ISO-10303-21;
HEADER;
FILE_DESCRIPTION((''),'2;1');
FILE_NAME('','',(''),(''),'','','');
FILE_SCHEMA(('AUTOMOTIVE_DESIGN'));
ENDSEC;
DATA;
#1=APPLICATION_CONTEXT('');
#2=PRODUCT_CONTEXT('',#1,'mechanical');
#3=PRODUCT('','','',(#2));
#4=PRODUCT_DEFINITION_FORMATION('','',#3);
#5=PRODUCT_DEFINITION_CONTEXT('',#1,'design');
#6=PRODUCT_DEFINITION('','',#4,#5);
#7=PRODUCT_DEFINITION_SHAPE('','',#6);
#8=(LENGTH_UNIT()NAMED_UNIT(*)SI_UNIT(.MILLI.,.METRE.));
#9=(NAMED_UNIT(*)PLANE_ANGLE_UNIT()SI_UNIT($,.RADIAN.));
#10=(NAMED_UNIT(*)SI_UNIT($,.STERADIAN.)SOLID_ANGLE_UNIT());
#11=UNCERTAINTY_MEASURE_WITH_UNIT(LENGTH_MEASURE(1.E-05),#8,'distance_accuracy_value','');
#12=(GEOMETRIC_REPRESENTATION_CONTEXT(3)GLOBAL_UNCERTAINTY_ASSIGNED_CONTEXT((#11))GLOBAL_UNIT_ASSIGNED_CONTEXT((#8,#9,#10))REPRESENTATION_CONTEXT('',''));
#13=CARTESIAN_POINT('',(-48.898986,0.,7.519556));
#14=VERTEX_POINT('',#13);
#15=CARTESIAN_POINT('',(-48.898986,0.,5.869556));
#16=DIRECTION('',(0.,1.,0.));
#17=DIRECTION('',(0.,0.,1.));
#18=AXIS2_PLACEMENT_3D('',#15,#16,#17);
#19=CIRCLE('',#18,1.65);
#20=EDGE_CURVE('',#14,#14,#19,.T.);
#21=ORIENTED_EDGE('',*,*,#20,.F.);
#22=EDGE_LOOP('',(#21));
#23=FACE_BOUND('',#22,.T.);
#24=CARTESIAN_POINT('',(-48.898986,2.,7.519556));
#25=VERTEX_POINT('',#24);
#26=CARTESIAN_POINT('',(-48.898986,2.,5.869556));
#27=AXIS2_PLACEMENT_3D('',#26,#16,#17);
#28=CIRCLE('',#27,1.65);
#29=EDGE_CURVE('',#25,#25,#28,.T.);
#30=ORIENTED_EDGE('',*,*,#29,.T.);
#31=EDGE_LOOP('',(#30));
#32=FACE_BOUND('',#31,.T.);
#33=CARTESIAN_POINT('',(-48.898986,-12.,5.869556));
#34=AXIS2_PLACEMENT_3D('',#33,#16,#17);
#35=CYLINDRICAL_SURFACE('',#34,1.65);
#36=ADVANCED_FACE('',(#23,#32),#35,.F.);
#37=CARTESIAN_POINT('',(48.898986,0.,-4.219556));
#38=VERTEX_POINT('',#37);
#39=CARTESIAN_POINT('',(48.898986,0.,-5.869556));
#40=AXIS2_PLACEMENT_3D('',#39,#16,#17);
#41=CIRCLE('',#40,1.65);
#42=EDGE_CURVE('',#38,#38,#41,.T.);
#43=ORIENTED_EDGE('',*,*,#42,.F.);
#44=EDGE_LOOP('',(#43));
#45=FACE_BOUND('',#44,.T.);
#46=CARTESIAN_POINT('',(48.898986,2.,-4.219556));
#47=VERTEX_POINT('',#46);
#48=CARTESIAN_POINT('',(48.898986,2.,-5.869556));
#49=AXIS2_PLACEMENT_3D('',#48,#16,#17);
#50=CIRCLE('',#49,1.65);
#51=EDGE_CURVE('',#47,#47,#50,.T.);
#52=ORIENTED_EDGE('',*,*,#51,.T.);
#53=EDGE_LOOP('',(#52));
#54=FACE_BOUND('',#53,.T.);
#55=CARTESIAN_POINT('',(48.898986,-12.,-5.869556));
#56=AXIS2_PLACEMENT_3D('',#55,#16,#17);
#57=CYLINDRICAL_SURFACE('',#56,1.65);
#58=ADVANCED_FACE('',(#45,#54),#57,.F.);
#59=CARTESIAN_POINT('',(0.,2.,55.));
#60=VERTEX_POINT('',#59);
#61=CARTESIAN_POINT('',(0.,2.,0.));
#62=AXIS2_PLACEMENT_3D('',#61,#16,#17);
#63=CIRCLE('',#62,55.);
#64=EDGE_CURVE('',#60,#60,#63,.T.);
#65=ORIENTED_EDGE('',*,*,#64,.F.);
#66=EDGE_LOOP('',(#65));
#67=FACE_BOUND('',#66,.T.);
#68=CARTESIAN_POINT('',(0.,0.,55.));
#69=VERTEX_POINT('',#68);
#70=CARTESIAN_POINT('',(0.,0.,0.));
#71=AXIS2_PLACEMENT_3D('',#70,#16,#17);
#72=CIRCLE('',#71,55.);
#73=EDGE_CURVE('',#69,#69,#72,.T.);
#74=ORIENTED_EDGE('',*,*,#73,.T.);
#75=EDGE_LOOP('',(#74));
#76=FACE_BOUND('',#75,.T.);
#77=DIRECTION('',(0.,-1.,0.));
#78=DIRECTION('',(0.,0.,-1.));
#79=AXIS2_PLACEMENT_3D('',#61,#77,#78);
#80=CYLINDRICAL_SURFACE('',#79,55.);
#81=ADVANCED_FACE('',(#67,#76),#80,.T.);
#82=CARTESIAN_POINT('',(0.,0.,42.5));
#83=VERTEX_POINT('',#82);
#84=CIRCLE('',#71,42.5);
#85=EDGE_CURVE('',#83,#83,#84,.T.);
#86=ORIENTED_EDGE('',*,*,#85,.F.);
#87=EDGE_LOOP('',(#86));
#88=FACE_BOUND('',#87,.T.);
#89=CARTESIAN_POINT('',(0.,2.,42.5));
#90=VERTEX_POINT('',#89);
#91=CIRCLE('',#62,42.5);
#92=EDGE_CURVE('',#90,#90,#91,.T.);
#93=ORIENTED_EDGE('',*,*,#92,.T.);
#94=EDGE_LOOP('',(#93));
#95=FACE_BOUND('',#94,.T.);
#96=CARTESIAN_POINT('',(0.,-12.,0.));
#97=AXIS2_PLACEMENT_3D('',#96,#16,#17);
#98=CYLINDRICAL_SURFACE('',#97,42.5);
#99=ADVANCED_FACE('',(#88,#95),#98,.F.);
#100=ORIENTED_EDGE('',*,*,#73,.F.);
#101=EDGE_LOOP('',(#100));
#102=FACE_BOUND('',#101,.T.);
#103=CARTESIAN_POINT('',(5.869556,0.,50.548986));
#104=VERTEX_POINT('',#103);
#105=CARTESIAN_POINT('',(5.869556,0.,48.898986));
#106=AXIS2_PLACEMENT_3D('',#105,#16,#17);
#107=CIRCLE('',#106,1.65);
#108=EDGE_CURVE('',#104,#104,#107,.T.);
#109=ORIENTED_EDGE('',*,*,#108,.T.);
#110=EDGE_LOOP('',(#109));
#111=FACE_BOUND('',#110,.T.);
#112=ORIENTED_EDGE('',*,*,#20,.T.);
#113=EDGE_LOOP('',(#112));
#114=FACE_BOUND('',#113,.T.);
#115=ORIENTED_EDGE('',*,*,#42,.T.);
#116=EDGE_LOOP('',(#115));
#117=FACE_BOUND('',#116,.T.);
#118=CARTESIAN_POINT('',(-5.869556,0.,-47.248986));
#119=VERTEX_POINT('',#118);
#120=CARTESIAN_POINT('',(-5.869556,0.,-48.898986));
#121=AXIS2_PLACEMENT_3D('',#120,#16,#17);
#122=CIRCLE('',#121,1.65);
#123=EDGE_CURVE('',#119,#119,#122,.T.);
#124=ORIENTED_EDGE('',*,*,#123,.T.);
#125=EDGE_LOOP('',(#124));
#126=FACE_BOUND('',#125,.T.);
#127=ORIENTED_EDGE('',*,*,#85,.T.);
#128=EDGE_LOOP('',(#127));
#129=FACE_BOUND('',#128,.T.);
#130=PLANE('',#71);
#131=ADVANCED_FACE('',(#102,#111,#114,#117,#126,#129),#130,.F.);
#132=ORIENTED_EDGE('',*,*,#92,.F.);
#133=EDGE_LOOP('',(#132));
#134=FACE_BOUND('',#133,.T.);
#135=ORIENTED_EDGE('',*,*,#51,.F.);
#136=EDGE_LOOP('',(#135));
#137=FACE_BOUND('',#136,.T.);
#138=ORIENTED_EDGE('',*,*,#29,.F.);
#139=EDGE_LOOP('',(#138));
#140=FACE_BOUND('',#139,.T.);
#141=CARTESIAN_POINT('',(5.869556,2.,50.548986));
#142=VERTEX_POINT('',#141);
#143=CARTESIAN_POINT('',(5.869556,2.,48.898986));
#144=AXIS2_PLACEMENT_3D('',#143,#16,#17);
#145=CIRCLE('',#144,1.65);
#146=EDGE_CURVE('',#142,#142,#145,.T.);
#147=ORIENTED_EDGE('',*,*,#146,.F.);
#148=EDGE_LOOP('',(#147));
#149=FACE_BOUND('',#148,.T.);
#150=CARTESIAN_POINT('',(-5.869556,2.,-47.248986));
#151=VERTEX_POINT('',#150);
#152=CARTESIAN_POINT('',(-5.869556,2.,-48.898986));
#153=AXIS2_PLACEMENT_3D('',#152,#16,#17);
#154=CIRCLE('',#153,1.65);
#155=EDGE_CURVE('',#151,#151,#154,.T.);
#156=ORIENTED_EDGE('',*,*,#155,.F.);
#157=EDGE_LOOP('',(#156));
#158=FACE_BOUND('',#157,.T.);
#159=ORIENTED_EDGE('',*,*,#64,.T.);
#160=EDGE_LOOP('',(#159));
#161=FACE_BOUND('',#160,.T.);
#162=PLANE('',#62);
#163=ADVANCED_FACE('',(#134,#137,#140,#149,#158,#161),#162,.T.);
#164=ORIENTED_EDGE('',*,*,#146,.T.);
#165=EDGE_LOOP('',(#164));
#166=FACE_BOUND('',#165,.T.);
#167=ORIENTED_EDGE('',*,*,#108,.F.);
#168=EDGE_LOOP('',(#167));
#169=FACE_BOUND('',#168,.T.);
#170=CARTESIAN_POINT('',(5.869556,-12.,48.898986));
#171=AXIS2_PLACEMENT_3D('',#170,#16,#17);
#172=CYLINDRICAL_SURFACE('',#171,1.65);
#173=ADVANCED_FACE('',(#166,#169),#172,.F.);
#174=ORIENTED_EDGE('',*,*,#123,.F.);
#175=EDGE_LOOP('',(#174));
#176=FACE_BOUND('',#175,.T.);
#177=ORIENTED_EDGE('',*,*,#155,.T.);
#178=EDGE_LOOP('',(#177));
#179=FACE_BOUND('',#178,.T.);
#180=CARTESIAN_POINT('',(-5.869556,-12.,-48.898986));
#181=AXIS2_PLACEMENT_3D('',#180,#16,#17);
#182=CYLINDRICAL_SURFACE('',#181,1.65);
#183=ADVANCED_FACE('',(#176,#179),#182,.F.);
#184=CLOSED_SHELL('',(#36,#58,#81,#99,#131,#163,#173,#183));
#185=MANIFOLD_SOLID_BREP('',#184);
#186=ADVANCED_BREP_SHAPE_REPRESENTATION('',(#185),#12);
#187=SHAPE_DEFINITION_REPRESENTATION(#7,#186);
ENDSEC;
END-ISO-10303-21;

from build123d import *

# Parameters (mm, degrees)
SKETCH_1_R          = 55
EXTRUDE_1_DEPTH     = 2
SKETCH_2_R          = 1.65
CUT_EXTRUDE_1_DEPTH = 14
SKETCH_3_R          = 42.5
CUT_EXTRUDE_2_DEPTH = 14


with BuildPart() as part:
    # 草图1 → 凸台-拉伸1 (new body)
    with BuildSketch(Plane(origin=(0, 0, 0), x_dir=(1, 0, 0), z_dir=(0, 1, 0))):
        Circle(SKETCH_1_R)
    extrude(amount=EXTRUDE_1_DEPTH)

    # 草图2 → 切除-拉伸1 (cut)
    with BuildSketch(Plane(origin=(0, 2, 0), x_dir=(1, 0, 0), z_dir=(0, 1, 0))):
        with Locations((-48.898985831, -5.869555746)):
            Circle(SKETCH_2_R)
        with Locations((-5.869555746, 48.898985831)):
            Circle(SKETCH_2_R)
        with Locations((48.898985831, 5.869555746)):
            Circle(SKETCH_2_R)
        with Locations((5.869555746, -48.898985831)):
            Circle(SKETCH_2_R)
    extrude(amount=-CUT_EXTRUDE_1_DEPTH, mode=Mode.SUBTRACT)

    # 草图3 → 切除-拉伸2 (cut)
    with BuildSketch(Plane(origin=(0, 2, 0), x_dir=(1, 0, 0), z_dir=(0, 1, 0))):
        Circle(SKETCH_3_R)
    extrude(amount=-CUT_EXTRUDE_2_DEPTH, mode=Mode.SUBTRACT)


solid = part.part
